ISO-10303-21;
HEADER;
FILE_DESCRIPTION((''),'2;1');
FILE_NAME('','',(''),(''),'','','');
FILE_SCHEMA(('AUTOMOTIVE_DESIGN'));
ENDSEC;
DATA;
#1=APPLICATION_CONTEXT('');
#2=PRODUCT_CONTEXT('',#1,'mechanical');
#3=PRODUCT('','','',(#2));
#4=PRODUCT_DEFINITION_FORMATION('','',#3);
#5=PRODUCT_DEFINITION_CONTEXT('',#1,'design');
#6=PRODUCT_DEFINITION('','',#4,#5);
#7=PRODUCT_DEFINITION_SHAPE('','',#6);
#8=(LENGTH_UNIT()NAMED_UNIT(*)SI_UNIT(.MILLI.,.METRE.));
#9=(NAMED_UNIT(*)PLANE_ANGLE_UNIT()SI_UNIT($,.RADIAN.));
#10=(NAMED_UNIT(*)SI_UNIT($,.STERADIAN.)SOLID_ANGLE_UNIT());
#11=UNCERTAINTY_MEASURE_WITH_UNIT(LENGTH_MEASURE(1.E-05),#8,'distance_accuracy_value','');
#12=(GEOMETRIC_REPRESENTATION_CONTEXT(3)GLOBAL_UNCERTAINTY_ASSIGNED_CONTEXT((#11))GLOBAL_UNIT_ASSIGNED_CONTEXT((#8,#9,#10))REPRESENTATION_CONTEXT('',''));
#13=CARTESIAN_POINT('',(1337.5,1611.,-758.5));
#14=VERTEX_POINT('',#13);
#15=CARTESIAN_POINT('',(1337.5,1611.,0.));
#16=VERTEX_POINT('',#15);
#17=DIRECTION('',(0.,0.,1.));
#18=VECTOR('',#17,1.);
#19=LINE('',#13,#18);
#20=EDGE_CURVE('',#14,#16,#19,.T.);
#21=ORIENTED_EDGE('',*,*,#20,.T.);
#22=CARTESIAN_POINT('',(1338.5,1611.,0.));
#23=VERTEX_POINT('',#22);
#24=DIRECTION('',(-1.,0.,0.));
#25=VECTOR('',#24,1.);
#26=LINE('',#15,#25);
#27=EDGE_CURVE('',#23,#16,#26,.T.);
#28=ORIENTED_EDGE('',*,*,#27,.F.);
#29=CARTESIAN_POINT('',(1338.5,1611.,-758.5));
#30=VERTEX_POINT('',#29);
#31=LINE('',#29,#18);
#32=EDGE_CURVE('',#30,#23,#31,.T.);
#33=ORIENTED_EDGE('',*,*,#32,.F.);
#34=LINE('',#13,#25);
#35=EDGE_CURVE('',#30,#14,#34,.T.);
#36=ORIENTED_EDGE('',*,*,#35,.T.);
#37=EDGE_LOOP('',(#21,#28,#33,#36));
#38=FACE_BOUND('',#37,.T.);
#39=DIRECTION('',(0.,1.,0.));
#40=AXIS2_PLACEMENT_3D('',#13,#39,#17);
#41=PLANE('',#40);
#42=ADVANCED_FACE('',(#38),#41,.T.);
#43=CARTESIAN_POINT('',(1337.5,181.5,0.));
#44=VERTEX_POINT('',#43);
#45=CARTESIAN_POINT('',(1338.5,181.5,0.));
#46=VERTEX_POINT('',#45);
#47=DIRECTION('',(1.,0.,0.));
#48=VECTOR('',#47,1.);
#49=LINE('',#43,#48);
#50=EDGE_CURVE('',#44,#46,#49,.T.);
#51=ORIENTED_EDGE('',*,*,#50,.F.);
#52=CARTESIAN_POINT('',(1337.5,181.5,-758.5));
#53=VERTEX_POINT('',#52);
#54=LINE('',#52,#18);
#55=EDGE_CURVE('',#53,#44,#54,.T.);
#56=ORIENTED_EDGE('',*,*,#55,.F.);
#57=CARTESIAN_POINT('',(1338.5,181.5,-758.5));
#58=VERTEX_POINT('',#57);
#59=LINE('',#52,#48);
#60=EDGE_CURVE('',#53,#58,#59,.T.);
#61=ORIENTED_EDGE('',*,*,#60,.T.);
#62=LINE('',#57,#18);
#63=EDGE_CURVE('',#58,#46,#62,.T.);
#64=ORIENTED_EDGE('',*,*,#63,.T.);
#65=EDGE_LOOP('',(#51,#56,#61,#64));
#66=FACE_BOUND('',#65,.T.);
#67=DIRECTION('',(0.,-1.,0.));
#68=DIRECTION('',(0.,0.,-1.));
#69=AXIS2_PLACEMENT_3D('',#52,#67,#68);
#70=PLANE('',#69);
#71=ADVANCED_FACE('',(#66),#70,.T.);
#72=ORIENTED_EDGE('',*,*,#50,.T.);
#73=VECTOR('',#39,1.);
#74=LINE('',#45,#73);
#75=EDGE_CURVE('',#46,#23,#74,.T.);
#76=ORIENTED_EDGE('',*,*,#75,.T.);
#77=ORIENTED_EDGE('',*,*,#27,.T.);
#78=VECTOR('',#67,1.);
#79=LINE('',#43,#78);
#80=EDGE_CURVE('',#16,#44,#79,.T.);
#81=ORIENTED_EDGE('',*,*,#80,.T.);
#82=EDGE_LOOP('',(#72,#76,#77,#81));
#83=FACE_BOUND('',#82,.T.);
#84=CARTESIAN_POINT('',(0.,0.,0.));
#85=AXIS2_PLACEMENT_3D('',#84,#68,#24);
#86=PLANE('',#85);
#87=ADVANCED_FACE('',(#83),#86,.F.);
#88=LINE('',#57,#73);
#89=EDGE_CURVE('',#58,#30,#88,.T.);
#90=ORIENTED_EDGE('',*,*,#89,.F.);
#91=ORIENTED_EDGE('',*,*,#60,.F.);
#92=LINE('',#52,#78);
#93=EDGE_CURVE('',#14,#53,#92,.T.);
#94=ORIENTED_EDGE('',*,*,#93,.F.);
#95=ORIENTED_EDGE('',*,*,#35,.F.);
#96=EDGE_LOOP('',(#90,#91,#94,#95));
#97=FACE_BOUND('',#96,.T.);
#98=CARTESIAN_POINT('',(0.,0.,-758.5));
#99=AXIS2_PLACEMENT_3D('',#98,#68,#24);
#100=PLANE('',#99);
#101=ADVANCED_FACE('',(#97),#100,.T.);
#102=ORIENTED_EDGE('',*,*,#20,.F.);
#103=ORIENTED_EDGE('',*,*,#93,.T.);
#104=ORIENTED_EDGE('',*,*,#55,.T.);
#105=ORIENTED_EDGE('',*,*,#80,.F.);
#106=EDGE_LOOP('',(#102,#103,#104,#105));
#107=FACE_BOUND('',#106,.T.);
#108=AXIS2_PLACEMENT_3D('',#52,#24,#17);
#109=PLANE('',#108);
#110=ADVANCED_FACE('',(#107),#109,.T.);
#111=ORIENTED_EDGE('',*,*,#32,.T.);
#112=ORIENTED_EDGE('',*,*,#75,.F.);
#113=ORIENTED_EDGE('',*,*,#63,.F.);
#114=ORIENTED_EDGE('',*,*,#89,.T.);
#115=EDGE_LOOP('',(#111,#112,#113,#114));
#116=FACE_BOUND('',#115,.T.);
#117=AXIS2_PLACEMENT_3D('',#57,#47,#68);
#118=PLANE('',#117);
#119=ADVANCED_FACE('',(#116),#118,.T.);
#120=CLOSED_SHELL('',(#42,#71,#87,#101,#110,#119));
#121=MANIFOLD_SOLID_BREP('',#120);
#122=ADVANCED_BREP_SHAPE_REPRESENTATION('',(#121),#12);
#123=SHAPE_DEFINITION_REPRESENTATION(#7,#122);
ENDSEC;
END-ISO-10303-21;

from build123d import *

# Parameters (mm, degrees)
SKETCH1_W                = 1
SKETCH1_H                = 1429.5
STORE_IC_YAN_SAG_1_DEPTH = 758.5


with BuildPart() as part:
    # Sketch1 → STORE_ic_yan_sag_1 (new body)
    with BuildSketch(Plane.XY):
        with Locations((1338, 896.25)):
            Rectangle(SKETCH1_W, SKETCH1_H)
    extrude(amount=-STORE_IC_YAN_SAG_1_DEPTH)


solid = part.part
